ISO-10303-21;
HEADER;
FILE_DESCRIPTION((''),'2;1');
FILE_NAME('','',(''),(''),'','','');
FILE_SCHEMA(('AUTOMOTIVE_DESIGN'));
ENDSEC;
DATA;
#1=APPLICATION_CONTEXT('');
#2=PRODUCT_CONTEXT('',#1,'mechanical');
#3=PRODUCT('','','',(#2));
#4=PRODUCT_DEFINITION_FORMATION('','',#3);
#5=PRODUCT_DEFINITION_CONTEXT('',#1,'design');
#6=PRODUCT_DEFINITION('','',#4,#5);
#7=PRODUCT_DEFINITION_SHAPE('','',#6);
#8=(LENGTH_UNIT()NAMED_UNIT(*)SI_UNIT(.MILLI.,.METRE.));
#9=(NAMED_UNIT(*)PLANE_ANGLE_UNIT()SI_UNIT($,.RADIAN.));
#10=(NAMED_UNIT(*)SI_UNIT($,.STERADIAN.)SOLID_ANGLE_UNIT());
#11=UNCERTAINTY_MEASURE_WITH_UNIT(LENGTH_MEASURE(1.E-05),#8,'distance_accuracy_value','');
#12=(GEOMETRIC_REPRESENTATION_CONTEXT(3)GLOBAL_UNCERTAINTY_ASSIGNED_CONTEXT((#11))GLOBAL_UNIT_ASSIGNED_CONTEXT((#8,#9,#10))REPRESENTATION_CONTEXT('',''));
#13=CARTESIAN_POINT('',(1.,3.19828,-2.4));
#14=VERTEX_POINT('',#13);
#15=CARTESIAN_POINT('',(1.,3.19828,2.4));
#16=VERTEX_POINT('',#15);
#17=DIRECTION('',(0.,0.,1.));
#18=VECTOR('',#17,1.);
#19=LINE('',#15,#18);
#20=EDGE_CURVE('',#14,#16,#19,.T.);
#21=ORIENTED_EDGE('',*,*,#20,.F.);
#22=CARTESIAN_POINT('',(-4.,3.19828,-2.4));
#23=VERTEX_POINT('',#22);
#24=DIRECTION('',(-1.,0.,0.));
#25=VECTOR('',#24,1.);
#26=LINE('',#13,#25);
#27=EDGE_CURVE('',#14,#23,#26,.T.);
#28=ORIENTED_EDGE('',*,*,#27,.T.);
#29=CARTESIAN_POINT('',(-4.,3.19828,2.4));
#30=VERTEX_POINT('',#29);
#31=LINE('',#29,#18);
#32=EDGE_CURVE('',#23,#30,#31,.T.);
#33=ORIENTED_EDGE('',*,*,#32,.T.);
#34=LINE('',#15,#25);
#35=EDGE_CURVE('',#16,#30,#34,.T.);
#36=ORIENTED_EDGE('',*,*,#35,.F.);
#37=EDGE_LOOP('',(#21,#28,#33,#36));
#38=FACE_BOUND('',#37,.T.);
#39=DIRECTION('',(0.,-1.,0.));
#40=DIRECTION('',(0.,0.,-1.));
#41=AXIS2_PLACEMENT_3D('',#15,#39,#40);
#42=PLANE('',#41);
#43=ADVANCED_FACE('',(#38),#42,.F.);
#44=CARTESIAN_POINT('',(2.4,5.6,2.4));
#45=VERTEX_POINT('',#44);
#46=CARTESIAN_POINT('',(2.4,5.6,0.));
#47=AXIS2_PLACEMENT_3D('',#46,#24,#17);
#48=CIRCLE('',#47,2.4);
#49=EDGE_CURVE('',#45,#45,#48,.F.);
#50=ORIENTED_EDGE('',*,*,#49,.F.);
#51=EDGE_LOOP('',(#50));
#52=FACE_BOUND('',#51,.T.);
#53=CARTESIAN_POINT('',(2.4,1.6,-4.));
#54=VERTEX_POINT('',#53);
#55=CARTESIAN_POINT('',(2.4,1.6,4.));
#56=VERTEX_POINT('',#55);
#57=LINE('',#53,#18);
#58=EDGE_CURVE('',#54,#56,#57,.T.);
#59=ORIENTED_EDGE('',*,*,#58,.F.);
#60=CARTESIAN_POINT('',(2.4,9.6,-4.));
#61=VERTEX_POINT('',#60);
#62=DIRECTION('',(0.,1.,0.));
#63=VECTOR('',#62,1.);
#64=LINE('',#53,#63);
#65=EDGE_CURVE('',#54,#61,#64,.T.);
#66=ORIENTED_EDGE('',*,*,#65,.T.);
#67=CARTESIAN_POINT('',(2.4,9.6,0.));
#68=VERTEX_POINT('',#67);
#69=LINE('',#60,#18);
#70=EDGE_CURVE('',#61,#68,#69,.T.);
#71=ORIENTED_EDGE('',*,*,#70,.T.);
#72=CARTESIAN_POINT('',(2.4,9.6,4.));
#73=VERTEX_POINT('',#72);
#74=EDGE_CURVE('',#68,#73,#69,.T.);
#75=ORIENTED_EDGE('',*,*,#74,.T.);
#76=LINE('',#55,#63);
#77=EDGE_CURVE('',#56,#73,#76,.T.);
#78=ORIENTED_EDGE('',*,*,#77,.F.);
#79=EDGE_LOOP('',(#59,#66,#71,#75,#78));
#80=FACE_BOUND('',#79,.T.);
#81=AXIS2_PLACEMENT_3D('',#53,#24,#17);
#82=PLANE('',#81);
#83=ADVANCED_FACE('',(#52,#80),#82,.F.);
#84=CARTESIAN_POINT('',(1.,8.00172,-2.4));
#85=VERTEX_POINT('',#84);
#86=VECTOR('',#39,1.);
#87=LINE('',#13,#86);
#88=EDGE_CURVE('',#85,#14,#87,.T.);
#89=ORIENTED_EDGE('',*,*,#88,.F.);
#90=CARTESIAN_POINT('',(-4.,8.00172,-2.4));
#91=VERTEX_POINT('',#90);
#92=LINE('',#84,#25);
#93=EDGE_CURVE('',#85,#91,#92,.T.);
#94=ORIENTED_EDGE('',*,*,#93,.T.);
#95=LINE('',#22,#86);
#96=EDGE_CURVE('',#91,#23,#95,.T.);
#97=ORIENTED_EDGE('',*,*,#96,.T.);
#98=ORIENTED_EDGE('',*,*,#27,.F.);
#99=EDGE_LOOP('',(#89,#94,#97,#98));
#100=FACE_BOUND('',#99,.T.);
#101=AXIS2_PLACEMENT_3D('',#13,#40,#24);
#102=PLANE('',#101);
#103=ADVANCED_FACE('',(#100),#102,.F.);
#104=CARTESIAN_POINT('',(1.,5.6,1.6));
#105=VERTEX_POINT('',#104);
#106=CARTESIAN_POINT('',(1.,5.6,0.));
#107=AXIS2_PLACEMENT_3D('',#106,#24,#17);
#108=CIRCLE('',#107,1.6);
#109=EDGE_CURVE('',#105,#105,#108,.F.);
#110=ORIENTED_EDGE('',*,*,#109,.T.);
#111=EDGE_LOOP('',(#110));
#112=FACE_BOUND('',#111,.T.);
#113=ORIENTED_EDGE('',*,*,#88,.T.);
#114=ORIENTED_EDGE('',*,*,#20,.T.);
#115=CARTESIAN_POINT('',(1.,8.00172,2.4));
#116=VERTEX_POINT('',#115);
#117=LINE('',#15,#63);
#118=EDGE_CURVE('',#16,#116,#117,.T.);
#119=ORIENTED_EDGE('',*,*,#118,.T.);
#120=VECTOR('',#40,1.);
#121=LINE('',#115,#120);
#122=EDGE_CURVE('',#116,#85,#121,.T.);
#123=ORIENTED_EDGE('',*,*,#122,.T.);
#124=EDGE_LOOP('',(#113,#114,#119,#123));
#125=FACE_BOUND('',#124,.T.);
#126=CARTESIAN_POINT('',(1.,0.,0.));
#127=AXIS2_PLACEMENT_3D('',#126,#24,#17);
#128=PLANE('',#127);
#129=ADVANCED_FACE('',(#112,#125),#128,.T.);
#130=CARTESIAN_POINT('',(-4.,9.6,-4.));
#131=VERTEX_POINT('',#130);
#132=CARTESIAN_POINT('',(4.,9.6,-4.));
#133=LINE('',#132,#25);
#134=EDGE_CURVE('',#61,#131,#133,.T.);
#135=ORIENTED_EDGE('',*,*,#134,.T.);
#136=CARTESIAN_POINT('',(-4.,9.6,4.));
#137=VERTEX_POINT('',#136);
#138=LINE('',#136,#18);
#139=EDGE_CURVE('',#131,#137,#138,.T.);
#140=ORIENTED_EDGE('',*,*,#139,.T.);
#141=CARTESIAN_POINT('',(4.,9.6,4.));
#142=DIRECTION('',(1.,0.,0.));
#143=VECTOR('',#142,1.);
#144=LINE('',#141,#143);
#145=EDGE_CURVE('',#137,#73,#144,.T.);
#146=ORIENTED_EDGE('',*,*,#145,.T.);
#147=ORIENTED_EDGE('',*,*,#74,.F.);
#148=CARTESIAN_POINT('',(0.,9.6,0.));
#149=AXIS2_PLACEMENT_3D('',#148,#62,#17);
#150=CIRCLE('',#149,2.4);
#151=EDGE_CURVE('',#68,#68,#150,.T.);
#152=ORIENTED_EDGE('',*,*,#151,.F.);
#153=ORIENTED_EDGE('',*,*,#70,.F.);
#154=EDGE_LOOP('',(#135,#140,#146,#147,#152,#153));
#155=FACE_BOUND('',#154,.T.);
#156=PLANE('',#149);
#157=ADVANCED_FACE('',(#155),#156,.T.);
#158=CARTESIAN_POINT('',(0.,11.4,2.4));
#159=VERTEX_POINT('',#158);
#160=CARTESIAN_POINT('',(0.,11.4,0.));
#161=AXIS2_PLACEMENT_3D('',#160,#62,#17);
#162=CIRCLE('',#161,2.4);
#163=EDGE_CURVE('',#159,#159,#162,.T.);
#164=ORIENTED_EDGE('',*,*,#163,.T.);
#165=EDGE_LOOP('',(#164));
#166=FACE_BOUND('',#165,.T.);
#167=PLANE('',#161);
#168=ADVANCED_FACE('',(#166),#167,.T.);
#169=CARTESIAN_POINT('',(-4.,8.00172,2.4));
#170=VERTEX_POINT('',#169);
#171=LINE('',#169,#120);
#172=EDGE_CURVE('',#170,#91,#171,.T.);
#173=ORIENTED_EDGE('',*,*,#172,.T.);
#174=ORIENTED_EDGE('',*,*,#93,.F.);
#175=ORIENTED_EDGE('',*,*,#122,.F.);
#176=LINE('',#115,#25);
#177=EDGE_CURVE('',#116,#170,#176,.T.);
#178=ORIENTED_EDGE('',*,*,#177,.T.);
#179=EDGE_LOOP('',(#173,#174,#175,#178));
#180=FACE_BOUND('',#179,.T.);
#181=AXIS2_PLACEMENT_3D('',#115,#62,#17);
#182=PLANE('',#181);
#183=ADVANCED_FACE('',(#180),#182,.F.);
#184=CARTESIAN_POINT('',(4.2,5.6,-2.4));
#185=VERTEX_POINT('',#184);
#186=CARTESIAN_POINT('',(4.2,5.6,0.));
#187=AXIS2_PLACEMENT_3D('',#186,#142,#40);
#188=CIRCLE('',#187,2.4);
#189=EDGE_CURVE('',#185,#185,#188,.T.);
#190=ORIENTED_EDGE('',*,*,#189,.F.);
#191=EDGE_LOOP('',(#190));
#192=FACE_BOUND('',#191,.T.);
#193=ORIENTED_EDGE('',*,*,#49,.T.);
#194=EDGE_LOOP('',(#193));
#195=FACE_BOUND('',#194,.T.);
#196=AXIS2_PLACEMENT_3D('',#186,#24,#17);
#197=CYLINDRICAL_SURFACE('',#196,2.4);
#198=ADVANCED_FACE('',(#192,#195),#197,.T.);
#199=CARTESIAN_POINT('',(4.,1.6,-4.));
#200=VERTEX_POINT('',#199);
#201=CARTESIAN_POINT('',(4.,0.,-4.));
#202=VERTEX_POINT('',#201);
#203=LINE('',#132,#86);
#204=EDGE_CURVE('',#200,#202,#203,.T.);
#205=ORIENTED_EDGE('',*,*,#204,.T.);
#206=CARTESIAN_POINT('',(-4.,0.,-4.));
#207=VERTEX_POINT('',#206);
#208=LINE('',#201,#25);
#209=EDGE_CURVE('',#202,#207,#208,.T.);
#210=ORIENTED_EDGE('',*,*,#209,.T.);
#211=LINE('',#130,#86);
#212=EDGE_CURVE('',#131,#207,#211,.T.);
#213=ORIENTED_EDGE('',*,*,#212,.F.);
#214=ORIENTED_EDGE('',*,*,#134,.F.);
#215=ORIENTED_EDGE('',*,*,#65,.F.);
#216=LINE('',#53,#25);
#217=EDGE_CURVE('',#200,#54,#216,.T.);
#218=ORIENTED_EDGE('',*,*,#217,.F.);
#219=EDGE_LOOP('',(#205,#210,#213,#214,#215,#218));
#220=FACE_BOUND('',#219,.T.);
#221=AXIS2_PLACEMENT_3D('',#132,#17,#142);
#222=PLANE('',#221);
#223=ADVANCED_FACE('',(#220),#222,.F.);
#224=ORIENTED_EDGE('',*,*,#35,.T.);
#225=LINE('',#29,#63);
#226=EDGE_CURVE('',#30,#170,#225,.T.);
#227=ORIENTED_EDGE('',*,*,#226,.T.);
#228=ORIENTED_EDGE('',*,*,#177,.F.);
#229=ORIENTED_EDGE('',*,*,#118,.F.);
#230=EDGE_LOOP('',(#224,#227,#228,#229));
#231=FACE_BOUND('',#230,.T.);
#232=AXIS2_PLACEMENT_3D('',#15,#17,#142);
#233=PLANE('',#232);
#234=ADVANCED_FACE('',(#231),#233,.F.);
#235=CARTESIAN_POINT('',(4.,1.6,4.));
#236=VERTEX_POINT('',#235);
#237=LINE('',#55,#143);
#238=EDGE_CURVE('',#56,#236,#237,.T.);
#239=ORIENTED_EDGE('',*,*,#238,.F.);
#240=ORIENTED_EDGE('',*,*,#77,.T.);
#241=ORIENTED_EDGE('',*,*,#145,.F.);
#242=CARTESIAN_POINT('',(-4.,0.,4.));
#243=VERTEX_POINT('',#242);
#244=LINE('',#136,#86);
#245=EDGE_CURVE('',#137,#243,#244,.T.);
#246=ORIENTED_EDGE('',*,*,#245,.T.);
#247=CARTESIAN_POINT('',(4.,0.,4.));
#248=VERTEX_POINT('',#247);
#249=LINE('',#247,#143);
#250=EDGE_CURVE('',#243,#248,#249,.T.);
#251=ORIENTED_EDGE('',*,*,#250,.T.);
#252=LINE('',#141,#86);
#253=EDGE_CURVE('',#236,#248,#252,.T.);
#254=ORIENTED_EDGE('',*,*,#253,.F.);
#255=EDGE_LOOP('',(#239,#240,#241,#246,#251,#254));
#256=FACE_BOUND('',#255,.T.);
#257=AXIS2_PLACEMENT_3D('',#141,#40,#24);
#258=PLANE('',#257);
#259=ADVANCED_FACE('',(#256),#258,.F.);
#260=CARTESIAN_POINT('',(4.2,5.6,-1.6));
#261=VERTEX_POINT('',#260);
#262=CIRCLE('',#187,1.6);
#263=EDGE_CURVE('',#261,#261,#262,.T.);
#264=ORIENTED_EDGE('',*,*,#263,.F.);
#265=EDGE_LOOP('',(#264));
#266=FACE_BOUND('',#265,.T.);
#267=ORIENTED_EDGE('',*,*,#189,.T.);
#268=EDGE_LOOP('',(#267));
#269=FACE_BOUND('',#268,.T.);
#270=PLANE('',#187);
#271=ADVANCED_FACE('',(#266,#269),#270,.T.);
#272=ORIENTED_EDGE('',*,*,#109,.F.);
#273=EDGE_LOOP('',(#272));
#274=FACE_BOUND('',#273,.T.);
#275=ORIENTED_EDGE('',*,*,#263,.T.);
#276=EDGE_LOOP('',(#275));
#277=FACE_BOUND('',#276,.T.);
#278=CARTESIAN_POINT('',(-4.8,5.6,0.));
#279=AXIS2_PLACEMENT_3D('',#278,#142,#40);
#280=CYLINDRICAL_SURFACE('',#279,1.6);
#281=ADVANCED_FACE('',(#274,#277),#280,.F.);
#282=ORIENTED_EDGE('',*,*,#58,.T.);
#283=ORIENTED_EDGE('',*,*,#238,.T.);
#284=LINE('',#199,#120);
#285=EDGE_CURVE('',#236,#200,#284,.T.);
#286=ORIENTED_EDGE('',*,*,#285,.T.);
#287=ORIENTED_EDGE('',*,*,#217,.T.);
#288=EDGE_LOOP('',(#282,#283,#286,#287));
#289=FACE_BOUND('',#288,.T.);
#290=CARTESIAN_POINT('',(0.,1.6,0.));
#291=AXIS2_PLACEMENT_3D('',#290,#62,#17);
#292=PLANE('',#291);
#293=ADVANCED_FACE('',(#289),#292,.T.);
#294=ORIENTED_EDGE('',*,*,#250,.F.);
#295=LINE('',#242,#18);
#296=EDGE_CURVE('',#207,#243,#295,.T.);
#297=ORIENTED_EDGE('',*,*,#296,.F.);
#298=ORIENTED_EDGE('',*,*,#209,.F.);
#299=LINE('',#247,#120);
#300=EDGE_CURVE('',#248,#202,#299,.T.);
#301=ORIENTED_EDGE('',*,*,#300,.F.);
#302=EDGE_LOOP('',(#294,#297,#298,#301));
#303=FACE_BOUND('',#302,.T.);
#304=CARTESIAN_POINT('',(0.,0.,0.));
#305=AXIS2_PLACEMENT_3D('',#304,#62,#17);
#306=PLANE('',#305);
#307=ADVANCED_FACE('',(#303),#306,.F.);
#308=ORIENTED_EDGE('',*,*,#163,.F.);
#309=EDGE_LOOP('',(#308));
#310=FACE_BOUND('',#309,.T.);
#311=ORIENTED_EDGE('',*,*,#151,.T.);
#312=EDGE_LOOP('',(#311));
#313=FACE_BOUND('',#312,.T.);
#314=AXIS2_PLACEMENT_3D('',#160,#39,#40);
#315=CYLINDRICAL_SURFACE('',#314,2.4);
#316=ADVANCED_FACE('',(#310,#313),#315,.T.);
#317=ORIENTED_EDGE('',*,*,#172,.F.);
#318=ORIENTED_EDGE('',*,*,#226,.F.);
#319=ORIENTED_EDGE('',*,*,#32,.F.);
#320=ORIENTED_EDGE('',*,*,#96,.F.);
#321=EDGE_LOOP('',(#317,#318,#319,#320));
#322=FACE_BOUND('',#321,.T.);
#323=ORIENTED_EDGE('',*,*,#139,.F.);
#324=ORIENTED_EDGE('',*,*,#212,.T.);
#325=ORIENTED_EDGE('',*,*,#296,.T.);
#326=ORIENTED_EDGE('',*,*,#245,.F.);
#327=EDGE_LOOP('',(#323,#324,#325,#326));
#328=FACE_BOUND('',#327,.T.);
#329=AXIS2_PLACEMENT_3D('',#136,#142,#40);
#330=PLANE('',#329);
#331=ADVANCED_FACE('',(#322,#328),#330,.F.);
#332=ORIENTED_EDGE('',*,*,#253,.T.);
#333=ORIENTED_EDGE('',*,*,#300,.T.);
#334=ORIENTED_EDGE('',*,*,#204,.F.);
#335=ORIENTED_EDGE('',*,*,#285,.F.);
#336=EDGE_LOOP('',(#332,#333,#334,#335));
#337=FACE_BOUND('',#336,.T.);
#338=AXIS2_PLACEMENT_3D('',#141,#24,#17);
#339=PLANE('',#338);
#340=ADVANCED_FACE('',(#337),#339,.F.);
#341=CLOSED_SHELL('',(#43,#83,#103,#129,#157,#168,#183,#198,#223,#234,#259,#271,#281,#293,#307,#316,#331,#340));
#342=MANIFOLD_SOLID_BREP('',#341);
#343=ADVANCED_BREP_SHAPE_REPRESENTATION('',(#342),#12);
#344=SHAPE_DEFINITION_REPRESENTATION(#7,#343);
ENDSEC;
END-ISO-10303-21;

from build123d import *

# Parameters (mm, degrees)
SKETCH_1_W          = 8
SKETCH_1_H          = 8
EXTRUDE_1_DEPTH     = 9.6
SKETCH_2_W          = 1.6
SKETCH_2_H          = 8
CUT_EXTRUDE_1_DEPTH = 8
SKETCH_5_R          = 2.4
EXTRUDE_2_DEPTH     = 1.8
SKETCH_8_R          = 1.6
CUT_EXTRUDE_3_DEPTH = 9
SKETCH_9_R          = 2.4
EXTRUDE_3_DEPTH     = 1.8
SKETCH_13_W         = 4.8
SKETCH_13_H         = 4.803439306
CUT_EXTRUDE_4_DEPTH = 5


with BuildPart() as part:
    # Эскиз1 → Бобышка-Вытянуть1 (new body)
    with BuildSketch(Plane(origin=(0, 0, 0), x_dir=(1, 0, 0), z_dir=(0, 1, 0))):
        Rectangle(SKETCH_1_W, SKETCH_1_H)
    extrude(amount=EXTRUDE_1_DEPTH)

    # Эскиз2 → Вырез-Вытянуть1 (cut)
    with BuildSketch(Plane(origin=(0, 9.6, 0), x_dir=(1, 0, 0), z_dir=(0, 1, 0))):
        with Locations((3.2, 0)):
            Rectangle(SKETCH_2_W, SKETCH_2_H)
    extrude(amount=-CUT_EXTRUDE_1_DEPTH, mode=Mode.SUBTRACT)

    # Эскиз5 → Бобышка-Вытянуть2 (add)
    with BuildSketch(Plane(origin=(2.4, 0, 0), x_dir=(0, 0, -1), z_dir=(1, 0, 0))):
        with Locations(Location((0, 5.6, 0), (0, 0, 180))):
            Circle(SKETCH_5_R)
    extrude(amount=EXTRUDE_2_DEPTH)

    # Эскиз8 → Вырез-Вытянуть3 (cut)
    with BuildSketch(Plane(origin=(4.2, 0, 0), x_dir=(0, 0, -1), z_dir=(1, 0, 0))):
        with Locations((0, 5.6)):
            Circle(SKETCH_8_R)
    extrude(amount=-CUT_EXTRUDE_3_DEPTH, mode=Mode.SUBTRACT)

    # Эскиз9 → Бобышка-Вытянуть3 (add)
    with BuildSketch(Plane(origin=(0, 9.6, 0), x_dir=(1, 0, 0), z_dir=(0, 1, 0))):
        Circle(SKETCH_9_R)
    extrude(amount=EXTRUDE_3_DEPTH)

    # Эскиз13 → Вырез-Вытянуть4 (cut)
    with BuildSketch(Plane.ZY.offset(4)):
        with Locations((0, 5.6)):
            Rectangle(SKETCH_13_W, SKETCH_13_H)
    extrude(amount=-CUT_EXTRUDE_4_DEPTH, mode=Mode.SUBTRACT)


solid = part.part
